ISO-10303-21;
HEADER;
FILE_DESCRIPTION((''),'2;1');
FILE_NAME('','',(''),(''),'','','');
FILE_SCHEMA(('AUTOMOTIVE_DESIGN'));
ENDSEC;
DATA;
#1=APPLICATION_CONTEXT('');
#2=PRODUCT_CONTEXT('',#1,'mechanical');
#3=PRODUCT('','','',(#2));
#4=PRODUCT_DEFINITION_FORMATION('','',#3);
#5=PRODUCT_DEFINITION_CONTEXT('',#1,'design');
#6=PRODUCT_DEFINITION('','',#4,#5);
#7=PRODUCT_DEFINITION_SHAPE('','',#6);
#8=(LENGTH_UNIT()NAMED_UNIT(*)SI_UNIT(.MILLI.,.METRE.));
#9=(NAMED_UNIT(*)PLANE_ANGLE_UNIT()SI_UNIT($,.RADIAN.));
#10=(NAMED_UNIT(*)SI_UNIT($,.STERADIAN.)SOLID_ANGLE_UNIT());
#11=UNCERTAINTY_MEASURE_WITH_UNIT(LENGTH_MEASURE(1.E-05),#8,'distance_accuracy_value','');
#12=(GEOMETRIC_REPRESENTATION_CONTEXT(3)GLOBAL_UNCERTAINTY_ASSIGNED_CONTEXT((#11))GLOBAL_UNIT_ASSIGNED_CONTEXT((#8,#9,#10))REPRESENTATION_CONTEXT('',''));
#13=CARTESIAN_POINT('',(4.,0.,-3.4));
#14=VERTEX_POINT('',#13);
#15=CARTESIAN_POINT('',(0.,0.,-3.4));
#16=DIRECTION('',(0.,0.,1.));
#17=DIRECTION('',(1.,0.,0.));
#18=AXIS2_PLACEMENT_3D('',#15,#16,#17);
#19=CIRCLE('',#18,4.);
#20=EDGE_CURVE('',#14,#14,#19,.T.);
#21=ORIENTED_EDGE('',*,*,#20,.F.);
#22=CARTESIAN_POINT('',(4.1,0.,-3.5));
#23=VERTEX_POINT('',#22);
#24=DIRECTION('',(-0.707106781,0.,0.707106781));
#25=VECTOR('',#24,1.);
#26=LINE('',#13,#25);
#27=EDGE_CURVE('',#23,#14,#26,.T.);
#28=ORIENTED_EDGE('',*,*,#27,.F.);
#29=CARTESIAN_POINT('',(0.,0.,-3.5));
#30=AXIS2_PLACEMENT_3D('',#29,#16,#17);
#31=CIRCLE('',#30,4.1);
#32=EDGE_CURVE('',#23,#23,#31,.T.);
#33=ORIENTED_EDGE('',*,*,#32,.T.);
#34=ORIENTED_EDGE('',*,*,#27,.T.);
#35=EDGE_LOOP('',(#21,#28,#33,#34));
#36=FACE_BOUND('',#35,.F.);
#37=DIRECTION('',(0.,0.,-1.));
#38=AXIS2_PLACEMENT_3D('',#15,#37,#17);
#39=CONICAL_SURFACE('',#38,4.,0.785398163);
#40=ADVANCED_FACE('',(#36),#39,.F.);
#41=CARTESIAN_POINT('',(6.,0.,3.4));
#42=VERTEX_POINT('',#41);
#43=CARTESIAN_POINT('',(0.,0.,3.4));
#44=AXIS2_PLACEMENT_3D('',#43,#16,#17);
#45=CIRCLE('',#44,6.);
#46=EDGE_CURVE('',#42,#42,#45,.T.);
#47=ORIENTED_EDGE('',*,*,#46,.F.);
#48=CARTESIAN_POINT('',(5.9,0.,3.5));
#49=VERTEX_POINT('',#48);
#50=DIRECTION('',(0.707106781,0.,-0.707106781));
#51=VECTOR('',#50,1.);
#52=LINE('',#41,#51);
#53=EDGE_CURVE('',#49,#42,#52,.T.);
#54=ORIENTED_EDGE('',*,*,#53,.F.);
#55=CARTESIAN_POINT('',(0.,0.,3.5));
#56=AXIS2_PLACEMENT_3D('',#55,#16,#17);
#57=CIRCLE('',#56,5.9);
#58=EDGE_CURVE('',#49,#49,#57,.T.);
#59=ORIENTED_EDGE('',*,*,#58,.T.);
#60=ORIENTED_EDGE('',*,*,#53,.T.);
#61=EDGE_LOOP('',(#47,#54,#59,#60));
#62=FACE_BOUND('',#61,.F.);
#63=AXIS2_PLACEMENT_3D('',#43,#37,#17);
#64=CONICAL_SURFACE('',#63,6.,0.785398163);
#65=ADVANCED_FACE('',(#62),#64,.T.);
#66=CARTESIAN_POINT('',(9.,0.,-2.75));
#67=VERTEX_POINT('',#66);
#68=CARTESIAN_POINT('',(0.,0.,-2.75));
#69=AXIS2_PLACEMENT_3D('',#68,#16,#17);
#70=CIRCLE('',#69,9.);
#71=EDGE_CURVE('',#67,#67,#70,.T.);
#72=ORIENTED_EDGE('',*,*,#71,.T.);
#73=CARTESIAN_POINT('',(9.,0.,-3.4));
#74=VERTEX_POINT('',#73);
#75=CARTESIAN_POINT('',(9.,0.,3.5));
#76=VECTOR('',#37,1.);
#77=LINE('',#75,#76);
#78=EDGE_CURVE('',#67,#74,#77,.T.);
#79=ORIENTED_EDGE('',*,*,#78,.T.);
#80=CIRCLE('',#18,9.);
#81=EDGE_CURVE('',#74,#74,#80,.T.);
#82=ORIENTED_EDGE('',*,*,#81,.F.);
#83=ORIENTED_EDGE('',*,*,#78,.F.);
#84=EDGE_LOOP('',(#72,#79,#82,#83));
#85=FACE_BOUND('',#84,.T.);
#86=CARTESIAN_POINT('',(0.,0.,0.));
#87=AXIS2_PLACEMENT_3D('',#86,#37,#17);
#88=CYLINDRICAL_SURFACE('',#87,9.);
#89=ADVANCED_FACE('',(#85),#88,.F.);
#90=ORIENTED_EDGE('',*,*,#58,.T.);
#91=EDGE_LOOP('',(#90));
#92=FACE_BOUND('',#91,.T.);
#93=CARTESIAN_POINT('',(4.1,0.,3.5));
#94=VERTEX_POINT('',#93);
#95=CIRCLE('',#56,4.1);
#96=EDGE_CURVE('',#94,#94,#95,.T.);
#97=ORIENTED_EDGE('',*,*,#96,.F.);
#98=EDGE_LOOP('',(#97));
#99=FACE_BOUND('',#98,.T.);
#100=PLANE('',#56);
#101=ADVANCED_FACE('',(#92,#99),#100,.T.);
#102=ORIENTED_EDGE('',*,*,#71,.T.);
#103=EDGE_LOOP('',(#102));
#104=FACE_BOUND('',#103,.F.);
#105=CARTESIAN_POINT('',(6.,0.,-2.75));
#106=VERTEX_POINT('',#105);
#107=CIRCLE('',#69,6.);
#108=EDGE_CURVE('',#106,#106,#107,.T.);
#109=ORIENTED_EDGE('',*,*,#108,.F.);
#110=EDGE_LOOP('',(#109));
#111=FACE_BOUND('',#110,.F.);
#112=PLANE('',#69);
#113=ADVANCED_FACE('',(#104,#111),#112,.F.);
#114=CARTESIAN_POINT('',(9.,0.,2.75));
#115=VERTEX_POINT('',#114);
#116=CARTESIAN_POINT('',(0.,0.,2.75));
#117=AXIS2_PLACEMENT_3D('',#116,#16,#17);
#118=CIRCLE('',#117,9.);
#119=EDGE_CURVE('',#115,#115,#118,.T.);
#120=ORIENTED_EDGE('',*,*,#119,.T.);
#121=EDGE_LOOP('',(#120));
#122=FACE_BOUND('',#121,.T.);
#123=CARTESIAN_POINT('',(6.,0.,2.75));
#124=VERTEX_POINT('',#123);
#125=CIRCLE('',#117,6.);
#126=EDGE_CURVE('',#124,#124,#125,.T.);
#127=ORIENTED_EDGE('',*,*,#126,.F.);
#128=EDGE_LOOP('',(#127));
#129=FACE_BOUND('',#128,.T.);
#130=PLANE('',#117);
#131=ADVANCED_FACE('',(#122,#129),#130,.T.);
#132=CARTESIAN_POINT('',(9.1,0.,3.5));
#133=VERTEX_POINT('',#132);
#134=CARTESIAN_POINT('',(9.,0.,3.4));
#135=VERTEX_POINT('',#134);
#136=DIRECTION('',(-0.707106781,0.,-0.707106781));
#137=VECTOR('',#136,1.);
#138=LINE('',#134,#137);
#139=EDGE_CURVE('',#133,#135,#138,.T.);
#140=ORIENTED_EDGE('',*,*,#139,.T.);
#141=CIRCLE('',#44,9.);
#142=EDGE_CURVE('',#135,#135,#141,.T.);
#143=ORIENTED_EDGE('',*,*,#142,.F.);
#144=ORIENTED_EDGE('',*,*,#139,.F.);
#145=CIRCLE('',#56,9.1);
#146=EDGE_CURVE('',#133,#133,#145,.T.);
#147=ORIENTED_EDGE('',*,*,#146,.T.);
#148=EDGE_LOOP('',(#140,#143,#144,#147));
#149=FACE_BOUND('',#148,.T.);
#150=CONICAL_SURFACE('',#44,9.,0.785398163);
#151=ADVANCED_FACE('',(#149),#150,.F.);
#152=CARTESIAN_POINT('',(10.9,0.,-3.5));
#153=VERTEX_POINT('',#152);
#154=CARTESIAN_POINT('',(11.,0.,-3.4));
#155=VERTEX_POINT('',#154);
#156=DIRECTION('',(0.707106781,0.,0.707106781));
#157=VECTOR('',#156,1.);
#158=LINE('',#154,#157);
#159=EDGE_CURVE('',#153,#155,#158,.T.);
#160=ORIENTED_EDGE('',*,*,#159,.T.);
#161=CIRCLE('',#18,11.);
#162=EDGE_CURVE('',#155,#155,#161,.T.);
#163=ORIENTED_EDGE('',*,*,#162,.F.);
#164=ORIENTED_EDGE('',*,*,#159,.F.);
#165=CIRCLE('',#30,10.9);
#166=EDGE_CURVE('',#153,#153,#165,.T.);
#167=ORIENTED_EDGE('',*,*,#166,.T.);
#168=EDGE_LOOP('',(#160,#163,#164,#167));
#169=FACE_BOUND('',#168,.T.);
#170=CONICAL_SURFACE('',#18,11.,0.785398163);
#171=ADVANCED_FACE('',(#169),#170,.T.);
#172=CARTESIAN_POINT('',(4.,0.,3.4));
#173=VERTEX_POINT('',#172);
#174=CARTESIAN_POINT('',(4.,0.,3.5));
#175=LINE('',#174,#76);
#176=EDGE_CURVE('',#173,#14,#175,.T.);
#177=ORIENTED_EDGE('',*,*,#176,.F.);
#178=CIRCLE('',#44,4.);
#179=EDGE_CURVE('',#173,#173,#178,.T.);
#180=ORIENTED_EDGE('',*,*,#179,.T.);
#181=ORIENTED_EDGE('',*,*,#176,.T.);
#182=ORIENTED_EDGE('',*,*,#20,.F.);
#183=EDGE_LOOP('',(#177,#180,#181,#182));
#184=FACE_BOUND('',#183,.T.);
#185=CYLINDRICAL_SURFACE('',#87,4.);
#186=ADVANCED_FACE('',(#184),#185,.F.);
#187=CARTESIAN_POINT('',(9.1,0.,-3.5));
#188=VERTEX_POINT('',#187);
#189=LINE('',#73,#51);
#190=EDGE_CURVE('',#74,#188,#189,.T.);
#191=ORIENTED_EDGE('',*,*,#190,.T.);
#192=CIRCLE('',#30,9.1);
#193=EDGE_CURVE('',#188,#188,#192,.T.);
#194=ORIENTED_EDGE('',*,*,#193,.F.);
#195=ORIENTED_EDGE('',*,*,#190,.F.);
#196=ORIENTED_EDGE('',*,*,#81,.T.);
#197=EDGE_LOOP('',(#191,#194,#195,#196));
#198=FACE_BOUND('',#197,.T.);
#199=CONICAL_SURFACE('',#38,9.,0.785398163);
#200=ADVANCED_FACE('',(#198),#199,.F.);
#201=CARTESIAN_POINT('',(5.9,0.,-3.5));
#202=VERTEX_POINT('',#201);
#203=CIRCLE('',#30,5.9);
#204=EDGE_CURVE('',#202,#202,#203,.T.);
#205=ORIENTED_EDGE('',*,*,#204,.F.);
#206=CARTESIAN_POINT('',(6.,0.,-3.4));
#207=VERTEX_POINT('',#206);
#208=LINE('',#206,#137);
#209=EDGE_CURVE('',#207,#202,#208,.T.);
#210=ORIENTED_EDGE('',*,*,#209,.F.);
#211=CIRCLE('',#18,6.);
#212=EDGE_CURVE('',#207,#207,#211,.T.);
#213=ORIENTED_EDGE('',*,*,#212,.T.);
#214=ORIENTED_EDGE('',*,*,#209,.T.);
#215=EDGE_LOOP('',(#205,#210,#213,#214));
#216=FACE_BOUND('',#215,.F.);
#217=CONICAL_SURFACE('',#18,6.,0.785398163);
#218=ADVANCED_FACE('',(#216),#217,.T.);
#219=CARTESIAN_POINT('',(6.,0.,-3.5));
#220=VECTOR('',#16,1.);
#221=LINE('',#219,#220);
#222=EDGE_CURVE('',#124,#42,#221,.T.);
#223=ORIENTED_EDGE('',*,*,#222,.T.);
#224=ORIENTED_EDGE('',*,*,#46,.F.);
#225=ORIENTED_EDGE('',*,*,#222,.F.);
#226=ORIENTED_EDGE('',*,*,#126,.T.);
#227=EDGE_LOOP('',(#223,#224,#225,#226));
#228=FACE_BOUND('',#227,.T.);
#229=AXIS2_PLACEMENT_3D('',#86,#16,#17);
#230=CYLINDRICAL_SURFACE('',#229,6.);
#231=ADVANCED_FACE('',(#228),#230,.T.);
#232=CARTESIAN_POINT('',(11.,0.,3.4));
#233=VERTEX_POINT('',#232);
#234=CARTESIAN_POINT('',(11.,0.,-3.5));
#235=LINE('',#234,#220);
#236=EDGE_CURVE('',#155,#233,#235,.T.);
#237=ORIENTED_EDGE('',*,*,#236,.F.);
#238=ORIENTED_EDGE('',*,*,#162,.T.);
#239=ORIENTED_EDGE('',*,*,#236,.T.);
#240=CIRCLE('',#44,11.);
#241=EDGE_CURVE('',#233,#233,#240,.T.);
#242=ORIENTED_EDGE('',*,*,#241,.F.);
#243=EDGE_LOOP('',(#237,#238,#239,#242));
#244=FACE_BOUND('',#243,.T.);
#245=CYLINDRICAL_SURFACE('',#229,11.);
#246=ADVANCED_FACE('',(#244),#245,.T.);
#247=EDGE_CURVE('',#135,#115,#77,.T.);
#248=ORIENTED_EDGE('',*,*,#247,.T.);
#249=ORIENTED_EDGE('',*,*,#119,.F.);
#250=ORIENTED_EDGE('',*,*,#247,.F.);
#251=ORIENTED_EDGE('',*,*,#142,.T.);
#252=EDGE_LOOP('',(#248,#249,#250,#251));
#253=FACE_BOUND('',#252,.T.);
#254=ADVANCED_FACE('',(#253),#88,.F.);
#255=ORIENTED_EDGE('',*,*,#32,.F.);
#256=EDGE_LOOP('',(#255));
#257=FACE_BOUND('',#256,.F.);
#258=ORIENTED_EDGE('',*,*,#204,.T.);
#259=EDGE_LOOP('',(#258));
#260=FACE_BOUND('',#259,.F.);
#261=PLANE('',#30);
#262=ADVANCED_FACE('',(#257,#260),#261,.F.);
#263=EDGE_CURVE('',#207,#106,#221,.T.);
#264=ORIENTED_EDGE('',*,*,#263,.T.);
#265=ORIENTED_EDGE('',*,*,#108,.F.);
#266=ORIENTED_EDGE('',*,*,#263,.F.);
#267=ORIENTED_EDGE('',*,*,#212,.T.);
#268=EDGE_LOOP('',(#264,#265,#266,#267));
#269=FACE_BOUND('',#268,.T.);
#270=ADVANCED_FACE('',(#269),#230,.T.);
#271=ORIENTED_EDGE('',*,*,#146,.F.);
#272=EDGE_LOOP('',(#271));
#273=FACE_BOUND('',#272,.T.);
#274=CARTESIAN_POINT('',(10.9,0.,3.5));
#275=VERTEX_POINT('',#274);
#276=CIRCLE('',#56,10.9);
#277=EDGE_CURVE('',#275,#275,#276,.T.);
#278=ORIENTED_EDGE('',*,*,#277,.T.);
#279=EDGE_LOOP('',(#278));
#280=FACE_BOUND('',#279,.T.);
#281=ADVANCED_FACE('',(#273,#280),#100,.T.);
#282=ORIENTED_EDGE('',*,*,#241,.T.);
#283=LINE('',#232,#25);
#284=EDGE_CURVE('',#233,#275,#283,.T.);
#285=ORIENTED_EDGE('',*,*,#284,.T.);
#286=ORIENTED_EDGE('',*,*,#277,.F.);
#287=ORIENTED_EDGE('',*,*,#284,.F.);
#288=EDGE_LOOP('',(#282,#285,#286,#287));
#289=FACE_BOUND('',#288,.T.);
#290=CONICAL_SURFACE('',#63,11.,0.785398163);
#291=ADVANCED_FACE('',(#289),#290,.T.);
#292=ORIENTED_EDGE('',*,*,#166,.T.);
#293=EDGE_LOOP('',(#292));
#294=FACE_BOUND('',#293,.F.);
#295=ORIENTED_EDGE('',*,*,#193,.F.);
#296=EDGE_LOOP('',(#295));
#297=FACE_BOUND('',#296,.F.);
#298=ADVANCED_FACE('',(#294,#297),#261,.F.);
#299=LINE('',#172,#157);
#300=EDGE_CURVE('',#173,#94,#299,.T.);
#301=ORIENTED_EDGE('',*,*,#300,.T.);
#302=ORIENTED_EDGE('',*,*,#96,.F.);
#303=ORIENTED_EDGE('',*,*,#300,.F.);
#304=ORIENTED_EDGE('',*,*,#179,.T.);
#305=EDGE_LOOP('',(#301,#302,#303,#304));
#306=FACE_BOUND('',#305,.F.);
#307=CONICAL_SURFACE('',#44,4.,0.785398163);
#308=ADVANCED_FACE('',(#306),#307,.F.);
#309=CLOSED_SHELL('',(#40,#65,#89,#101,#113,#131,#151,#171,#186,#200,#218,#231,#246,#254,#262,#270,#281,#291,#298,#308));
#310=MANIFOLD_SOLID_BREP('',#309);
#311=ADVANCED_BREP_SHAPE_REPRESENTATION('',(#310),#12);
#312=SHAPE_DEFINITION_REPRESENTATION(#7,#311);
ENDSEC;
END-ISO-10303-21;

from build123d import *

# Parameters (mm, degrees)
F0_R     = 11
F0_R_2   = 9
F1_DEPTH = 3.5
F0_R_3   = 6
F0_R_4   = 4
F2_DEPTH = 2.75
F3_SIZE  = 0.1


with BuildPart() as f1:
    # F0 (on Top) → F1 (new body, symmetric)
    with BuildSketch(Plane.XY):
        Circle(F0_R)
        Circle(F0_R_2, mode=Mode.SUBTRACT)
    extrude(amount=F1_DEPTH, both=True)



with BuildPart() as f1b:
    # F0 (on Top) → F1, piece 2 (new body, symmetric)
    with BuildSketch(Plane.XY):
        Circle(F0_R_3)
        Circle(F0_R_4, mode=Mode.SUBTRACT)
    extrude(amount=F1_DEPTH, both=True)


with BuildPart() as f1_1:
    add(f1.part)

    add(f1b.part)  # F2 merges F1b
    # F0 (on Top) → F2 (join, symmetric)
    with BuildSketch(Plane.XY):
        Circle(F0_R_2)
        Circle(F0_R_3, mode=Mode.SUBTRACT)
    extrude(amount=F2_DEPTH, both=True)

    # F3
    f3_edges = [f1_1.edges().sort_by_distance(p)[0] for p in [
        (-4, 0, 3.5),
        (-4, 0, -3.5),
        (-11, 0, 3.5),
        (-9, 0, 3.5),
        (-6, 0, 3.5),
        (-11, 0, -3.5),
        (-9, 0, -3.5),
        (-6, 0, -3.5),
    ]]
    chamfer(f3_edges, length=F3_SIZE)


solid = f1_1.part
